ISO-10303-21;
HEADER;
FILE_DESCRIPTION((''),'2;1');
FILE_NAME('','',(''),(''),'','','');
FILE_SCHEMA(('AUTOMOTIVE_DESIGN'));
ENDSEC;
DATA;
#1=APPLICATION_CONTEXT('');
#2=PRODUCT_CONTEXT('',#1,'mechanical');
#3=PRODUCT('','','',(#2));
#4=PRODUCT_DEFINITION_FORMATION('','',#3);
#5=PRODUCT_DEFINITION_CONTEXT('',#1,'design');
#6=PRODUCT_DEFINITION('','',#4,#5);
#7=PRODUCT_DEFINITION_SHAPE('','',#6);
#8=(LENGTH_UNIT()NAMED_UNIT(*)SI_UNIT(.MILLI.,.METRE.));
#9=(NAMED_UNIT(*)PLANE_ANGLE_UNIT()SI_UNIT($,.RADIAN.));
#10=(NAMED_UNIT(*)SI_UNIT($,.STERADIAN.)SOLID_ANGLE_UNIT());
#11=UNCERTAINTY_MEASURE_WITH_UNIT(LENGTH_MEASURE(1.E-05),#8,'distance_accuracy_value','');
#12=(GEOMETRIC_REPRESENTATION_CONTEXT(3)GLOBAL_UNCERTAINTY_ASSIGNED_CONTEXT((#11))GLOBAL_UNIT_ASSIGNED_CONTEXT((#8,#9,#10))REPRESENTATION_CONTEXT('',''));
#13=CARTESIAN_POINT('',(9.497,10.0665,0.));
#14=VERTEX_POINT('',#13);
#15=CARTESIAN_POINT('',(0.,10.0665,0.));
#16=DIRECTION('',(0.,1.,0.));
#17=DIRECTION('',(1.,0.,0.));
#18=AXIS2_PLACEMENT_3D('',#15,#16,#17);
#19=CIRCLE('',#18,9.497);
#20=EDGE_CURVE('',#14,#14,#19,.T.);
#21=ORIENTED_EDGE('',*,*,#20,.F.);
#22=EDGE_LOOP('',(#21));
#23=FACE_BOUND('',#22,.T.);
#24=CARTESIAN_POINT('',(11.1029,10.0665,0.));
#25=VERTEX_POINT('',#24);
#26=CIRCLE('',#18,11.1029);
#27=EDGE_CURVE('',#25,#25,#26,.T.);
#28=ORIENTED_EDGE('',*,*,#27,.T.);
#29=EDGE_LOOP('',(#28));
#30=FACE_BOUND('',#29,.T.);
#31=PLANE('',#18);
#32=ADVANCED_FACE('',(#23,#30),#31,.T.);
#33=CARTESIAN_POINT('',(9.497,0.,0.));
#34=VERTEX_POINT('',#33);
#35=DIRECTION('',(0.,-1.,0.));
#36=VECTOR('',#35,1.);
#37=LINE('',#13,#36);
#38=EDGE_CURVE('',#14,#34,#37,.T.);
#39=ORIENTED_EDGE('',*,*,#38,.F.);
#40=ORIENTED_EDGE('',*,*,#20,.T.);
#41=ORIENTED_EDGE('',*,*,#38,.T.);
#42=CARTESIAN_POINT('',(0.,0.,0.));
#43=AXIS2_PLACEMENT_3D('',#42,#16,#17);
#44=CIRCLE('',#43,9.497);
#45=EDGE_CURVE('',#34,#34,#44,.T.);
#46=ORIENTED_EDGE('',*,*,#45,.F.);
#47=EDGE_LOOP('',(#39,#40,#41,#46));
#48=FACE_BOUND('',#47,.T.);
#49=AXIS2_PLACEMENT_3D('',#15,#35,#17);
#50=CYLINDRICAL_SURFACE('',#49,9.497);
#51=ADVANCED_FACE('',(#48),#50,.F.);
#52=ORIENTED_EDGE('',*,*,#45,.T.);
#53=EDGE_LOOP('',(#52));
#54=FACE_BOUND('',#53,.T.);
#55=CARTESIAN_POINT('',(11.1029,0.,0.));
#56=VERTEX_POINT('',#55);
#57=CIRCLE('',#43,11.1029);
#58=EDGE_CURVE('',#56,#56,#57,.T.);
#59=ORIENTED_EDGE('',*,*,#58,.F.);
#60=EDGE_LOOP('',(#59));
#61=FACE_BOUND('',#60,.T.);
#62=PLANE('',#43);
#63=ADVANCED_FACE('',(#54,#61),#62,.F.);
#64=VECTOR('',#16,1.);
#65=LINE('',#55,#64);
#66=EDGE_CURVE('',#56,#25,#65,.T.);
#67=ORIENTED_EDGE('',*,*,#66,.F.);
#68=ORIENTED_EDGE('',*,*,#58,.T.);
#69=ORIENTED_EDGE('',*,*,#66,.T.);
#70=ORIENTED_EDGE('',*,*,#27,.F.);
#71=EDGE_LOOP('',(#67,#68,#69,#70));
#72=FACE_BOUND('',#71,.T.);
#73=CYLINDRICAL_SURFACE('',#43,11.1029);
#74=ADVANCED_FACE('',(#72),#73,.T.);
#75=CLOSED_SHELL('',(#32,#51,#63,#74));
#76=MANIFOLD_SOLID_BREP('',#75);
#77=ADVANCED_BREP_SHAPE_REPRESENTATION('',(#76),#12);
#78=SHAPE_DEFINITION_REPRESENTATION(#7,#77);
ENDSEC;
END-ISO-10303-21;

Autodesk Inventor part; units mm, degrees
ref_plane "YZ Plane" through (0, 0, 0) normal (1, 0, 0) x (0, 1, 0)
ref_plane "XZ Plane" through (0, 0, 0) normal (0, 1, 0) x (-1, 0, 0)
ref_plane "XY Plane" through (0, 0, 0) normal (0, 0, 1) x (1, 0, 0)
sketch "Sketch1" plane through (0, 0, 0) normal (0, 0, 1) x (1, 0, 0)
  line L0 (9.497, 0) -> (11.1029, 0)
  line L1 (11.1029, 0) -> (11.1029, 10.0665)
  line L2 (11.1029, 10.0665) -> (9.497, 10.0665)
  line L3 (9.497, 10.0665) -> (9.497, 0)
  line L4 (0, -2.0133) -> (0, 12.0798) projected
  point P0 (0, 0)
  dimension "d0" = 10.0665
  dimension "d1" = 9.497
  dimension "d14" = 14.8028
revolve "Revolution1" add sketch "Sketch1" angle 360 about axis through (0, -10, 0) along (0, 1, 0)
sketch "Sketch18" plane through (0, 0, 0) normal (0, 0, 1) x (1, 0, 0)
  point P0 (0, 0)
  point P1 (-22.2647, 5.6563)
  point P2 (-21.5147, 4.1563)
  point P3 (-23.0147, 4.1563)
equation "\"d0\" = height"
equation "\"ri\" = 9.5"
equation "\"height\" = 10.06647"
equation "\"l_t\" = 10.7"
equation "\"s_t\" = 0.46188"
equation "\"dr\" = 0.666667"
equation "\"d119\" = 9.2"
equation "\"d133\" = 9.2"
equation "\"d149\" = 9.2"
equation "\"d160\" = 9.2"
equation "\"wt\" = 0.4"
equation "\"d170\" = 0.3"
equation "\"d176\" = 0.3"
equation "\"d180\" = 9.2"
equation "\"d181\" = 0.3"
equation "\"loss\" = 0.003"
properties part number "working VBA"
